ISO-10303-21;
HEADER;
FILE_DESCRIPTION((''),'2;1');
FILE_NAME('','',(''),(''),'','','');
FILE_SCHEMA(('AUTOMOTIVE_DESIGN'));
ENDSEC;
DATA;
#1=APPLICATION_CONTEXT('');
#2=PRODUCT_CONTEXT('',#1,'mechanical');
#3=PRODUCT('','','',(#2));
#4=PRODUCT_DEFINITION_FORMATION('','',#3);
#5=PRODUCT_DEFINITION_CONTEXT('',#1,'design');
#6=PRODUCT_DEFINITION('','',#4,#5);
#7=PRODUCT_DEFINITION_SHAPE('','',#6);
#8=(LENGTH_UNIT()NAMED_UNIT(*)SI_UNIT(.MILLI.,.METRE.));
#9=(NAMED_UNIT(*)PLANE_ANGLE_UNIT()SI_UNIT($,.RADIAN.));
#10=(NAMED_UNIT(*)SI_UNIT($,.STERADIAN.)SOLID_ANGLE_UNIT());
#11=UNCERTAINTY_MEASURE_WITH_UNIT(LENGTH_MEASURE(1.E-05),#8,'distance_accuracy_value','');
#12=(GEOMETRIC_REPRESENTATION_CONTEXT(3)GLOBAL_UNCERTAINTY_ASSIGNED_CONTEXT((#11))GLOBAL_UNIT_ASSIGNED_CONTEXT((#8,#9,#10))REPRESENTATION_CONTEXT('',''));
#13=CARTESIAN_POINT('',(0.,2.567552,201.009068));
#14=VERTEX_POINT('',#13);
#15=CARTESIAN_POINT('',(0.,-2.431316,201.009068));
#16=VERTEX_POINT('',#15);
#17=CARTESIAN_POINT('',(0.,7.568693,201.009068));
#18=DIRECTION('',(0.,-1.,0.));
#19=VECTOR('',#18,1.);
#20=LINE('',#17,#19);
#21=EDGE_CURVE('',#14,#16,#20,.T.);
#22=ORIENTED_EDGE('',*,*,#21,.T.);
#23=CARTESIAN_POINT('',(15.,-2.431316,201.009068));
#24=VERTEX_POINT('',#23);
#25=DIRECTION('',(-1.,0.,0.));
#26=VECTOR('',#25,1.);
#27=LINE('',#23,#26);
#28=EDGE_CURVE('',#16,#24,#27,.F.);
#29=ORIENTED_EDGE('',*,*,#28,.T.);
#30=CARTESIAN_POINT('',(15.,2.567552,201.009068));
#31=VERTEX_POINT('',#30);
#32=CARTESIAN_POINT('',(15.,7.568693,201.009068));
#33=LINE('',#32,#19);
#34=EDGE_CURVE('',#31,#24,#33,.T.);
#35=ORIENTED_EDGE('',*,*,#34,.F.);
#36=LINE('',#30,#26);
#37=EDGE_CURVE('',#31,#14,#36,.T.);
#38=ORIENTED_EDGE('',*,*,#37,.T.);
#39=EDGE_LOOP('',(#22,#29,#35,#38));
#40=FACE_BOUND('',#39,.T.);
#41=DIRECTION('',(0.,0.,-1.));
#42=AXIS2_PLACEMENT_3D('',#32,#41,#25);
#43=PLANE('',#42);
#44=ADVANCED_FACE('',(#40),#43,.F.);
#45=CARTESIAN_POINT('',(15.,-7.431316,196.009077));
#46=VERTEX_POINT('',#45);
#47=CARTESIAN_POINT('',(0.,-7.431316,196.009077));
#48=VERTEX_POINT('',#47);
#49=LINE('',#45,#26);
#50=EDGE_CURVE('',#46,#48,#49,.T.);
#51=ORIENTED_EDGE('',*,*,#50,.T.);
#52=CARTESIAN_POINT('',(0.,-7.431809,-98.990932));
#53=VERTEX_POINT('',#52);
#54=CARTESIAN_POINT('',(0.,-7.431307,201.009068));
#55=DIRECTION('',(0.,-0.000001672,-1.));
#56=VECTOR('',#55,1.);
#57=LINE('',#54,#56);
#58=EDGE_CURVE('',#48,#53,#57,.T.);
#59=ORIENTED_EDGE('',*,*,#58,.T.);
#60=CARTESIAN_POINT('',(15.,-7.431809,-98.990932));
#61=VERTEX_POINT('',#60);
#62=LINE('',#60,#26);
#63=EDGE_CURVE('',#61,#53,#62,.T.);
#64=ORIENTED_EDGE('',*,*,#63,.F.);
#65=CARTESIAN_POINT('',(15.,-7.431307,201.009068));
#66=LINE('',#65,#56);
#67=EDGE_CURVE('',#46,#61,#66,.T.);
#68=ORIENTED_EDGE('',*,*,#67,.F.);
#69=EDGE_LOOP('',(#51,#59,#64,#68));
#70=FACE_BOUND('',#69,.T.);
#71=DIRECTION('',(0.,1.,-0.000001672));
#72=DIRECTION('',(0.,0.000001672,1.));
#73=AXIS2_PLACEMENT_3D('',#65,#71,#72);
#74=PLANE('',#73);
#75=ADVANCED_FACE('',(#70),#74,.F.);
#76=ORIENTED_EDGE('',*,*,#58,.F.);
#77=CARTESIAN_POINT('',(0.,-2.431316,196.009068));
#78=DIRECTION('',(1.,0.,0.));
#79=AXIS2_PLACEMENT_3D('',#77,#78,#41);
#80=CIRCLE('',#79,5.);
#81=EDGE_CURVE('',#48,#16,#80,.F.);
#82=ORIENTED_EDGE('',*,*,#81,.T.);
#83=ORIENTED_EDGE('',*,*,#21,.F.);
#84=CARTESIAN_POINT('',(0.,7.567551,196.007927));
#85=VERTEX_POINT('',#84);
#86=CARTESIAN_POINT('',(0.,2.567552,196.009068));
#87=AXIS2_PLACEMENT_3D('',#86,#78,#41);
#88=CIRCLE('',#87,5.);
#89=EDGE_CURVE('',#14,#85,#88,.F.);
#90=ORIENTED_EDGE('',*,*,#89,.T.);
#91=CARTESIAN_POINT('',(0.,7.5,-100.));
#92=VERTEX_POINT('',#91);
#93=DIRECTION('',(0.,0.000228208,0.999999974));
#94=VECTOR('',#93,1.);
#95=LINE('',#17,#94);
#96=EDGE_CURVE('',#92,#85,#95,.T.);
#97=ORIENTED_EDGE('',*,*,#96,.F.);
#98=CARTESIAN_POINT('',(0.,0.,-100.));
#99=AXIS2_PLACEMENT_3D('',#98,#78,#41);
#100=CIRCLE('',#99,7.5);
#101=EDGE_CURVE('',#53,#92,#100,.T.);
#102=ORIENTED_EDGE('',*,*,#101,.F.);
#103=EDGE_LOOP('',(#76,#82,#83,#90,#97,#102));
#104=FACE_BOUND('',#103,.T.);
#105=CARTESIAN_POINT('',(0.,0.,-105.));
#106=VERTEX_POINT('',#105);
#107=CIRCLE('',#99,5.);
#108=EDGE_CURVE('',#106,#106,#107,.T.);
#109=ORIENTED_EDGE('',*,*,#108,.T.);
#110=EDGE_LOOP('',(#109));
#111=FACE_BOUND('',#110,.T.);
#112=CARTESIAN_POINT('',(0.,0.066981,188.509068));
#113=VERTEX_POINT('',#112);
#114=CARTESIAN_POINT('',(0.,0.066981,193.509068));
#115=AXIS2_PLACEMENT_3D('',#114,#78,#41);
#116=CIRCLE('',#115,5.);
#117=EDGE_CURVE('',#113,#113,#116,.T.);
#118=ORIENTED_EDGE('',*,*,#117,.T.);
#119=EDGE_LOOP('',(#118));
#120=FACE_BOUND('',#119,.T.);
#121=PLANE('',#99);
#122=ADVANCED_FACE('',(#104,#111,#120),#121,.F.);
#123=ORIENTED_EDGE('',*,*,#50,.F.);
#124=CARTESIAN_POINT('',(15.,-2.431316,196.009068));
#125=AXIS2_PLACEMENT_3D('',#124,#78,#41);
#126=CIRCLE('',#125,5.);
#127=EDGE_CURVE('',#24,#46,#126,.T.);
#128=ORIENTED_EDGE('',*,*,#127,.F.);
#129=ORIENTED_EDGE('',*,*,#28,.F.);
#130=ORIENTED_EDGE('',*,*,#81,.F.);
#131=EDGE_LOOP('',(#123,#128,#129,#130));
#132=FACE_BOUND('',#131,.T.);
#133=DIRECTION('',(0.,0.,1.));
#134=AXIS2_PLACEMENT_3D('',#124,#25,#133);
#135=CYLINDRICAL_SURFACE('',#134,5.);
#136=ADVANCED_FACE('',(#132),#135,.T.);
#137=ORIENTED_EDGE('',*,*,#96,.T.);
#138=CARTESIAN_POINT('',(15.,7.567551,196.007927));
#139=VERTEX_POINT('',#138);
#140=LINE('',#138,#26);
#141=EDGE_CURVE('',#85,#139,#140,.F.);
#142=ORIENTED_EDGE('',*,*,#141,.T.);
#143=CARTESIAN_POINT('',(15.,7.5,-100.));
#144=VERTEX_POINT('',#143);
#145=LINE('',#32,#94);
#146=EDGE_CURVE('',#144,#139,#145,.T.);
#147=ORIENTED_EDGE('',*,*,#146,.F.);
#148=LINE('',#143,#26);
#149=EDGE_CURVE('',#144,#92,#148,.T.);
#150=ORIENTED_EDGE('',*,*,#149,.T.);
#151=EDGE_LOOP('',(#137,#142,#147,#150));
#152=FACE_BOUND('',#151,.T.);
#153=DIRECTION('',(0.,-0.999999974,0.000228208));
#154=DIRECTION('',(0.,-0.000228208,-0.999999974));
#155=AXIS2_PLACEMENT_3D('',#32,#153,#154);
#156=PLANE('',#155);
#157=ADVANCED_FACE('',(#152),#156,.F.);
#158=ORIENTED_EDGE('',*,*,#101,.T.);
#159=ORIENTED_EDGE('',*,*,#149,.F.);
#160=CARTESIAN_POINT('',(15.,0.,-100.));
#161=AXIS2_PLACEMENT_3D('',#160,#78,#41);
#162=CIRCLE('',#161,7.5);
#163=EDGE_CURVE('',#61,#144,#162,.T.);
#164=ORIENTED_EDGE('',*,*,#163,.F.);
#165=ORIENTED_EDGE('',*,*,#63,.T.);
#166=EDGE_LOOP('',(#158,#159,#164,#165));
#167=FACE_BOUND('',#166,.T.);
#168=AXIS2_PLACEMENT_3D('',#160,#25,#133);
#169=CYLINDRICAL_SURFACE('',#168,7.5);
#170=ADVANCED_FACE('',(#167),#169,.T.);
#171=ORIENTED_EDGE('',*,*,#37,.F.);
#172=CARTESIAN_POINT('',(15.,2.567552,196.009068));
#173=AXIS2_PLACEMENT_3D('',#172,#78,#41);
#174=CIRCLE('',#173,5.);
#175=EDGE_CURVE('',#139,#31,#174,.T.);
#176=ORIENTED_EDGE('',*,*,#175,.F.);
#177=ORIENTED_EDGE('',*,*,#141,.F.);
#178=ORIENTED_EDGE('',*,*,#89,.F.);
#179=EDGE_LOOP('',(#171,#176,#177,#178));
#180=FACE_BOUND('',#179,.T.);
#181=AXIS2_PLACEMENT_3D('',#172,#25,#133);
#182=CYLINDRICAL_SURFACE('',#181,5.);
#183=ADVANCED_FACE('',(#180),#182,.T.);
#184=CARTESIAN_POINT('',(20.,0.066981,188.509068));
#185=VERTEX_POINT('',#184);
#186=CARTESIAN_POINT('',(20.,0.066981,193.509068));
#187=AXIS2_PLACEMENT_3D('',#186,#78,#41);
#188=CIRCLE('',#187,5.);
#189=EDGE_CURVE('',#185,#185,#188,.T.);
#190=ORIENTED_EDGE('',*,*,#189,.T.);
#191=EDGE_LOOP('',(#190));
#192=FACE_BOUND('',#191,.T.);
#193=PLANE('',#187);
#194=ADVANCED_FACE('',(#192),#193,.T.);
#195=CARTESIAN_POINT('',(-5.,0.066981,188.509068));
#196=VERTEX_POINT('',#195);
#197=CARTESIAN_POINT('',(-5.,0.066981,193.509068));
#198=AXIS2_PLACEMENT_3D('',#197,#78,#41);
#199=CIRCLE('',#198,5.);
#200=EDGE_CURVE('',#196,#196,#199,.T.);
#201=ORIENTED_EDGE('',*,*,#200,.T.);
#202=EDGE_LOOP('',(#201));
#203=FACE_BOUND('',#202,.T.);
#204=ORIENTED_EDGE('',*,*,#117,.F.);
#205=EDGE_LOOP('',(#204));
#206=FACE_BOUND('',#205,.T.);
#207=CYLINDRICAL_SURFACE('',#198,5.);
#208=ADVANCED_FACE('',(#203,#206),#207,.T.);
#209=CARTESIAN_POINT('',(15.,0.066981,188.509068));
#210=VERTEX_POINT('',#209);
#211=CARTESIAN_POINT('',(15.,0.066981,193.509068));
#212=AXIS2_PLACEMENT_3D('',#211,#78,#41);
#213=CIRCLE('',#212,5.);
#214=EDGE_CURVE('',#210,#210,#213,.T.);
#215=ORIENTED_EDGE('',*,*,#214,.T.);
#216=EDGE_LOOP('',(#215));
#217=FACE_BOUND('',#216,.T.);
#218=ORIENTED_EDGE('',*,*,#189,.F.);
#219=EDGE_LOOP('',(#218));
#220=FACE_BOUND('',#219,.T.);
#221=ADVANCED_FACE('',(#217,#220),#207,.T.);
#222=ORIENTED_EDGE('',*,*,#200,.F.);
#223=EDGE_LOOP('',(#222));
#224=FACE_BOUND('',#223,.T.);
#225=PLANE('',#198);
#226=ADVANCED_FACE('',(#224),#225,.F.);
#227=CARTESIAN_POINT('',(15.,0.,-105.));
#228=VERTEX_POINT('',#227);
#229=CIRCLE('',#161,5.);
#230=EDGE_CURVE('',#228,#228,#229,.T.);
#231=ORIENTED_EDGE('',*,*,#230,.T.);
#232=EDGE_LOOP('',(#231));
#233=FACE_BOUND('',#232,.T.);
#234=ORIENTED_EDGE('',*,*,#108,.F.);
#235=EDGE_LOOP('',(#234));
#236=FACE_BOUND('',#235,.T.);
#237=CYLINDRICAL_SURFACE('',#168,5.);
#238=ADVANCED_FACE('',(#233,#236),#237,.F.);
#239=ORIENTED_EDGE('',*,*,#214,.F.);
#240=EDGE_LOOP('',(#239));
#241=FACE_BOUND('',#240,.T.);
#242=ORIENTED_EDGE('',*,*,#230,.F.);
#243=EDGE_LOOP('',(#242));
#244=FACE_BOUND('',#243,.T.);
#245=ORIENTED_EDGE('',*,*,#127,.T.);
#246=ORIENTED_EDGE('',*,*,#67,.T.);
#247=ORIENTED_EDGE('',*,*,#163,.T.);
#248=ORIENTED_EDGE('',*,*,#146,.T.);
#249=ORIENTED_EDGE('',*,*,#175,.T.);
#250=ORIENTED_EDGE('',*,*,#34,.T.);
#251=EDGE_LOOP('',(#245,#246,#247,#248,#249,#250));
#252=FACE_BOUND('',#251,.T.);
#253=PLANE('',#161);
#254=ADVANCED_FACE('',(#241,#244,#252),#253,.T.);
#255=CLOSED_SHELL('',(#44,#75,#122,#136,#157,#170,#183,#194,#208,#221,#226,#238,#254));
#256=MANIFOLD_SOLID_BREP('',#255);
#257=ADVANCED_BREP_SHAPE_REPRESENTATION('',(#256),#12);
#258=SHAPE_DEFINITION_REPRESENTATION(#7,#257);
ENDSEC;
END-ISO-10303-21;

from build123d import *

# Parameters (mm, degrees)
SKETCH1_R                = 5
BOSS_EXTRUDE1_DEPTH      = 15
BOSS_EXTRUDE3_DEPTH      = 5
BOSS_EXTRUDE3_DEPTH_BACK = 20
SKETCH4_R                = 5
FILLET1_R                = 5


with BuildPart() as part:
    # Sketch1 → Boss-Extrude1 (new body)
    with BuildSketch(Plane(origin=(0, 0, 0), x_dir=(0, 0, -1), z_dir=(1, 0, 0))):
        with BuildLine():
            Line((-201.009068176, 7.568692759), (100, 7.5))
            ThreePointArc((100, 7.5), (107.48293277, -0.50568484), (98.990931823, -7.431808758))
            Line((98.990931823, -7.431808758), (-201.009068176, -7.431307241))
            Line((-201.009068176, -7.431307241), (-201.009068176, 7.568692759))
        make_face()
        with Locations((100, 0)):
            Circle(SKETCH1_R, mode=Mode.SUBTRACT)
    extrude(amount=BOSS_EXTRUDE1_DEPTH)

    # Sketch4 → Boss-Extrude3 (add, two sides: drawn at the far end of the back side and taken through both)
    with BuildSketch(Plane(origin=(15, 0, 0), x_dir=(0, 0, -1), z_dir=(1, 0, 0)).offset(-BOSS_EXTRUDE3_DEPTH_BACK)):
        with Locations((-193.509068176, 0.066981001)):
            Circle(SKETCH4_R)
    extrude(amount=BOSS_EXTRUDE3_DEPTH + BOSS_EXTRUDE3_DEPTH_BACK)

    # Fillet1
    fillet1_edges = [part.edges().sort_by_distance(p)[0] for p in [
        (7.5, 7.568692759, 201.009068176),
        (7.5, -7.431307241, 201.009068176),
    ]]
    fillet(fillet1_edges, radius=FILLET1_R)


solid = part.part
